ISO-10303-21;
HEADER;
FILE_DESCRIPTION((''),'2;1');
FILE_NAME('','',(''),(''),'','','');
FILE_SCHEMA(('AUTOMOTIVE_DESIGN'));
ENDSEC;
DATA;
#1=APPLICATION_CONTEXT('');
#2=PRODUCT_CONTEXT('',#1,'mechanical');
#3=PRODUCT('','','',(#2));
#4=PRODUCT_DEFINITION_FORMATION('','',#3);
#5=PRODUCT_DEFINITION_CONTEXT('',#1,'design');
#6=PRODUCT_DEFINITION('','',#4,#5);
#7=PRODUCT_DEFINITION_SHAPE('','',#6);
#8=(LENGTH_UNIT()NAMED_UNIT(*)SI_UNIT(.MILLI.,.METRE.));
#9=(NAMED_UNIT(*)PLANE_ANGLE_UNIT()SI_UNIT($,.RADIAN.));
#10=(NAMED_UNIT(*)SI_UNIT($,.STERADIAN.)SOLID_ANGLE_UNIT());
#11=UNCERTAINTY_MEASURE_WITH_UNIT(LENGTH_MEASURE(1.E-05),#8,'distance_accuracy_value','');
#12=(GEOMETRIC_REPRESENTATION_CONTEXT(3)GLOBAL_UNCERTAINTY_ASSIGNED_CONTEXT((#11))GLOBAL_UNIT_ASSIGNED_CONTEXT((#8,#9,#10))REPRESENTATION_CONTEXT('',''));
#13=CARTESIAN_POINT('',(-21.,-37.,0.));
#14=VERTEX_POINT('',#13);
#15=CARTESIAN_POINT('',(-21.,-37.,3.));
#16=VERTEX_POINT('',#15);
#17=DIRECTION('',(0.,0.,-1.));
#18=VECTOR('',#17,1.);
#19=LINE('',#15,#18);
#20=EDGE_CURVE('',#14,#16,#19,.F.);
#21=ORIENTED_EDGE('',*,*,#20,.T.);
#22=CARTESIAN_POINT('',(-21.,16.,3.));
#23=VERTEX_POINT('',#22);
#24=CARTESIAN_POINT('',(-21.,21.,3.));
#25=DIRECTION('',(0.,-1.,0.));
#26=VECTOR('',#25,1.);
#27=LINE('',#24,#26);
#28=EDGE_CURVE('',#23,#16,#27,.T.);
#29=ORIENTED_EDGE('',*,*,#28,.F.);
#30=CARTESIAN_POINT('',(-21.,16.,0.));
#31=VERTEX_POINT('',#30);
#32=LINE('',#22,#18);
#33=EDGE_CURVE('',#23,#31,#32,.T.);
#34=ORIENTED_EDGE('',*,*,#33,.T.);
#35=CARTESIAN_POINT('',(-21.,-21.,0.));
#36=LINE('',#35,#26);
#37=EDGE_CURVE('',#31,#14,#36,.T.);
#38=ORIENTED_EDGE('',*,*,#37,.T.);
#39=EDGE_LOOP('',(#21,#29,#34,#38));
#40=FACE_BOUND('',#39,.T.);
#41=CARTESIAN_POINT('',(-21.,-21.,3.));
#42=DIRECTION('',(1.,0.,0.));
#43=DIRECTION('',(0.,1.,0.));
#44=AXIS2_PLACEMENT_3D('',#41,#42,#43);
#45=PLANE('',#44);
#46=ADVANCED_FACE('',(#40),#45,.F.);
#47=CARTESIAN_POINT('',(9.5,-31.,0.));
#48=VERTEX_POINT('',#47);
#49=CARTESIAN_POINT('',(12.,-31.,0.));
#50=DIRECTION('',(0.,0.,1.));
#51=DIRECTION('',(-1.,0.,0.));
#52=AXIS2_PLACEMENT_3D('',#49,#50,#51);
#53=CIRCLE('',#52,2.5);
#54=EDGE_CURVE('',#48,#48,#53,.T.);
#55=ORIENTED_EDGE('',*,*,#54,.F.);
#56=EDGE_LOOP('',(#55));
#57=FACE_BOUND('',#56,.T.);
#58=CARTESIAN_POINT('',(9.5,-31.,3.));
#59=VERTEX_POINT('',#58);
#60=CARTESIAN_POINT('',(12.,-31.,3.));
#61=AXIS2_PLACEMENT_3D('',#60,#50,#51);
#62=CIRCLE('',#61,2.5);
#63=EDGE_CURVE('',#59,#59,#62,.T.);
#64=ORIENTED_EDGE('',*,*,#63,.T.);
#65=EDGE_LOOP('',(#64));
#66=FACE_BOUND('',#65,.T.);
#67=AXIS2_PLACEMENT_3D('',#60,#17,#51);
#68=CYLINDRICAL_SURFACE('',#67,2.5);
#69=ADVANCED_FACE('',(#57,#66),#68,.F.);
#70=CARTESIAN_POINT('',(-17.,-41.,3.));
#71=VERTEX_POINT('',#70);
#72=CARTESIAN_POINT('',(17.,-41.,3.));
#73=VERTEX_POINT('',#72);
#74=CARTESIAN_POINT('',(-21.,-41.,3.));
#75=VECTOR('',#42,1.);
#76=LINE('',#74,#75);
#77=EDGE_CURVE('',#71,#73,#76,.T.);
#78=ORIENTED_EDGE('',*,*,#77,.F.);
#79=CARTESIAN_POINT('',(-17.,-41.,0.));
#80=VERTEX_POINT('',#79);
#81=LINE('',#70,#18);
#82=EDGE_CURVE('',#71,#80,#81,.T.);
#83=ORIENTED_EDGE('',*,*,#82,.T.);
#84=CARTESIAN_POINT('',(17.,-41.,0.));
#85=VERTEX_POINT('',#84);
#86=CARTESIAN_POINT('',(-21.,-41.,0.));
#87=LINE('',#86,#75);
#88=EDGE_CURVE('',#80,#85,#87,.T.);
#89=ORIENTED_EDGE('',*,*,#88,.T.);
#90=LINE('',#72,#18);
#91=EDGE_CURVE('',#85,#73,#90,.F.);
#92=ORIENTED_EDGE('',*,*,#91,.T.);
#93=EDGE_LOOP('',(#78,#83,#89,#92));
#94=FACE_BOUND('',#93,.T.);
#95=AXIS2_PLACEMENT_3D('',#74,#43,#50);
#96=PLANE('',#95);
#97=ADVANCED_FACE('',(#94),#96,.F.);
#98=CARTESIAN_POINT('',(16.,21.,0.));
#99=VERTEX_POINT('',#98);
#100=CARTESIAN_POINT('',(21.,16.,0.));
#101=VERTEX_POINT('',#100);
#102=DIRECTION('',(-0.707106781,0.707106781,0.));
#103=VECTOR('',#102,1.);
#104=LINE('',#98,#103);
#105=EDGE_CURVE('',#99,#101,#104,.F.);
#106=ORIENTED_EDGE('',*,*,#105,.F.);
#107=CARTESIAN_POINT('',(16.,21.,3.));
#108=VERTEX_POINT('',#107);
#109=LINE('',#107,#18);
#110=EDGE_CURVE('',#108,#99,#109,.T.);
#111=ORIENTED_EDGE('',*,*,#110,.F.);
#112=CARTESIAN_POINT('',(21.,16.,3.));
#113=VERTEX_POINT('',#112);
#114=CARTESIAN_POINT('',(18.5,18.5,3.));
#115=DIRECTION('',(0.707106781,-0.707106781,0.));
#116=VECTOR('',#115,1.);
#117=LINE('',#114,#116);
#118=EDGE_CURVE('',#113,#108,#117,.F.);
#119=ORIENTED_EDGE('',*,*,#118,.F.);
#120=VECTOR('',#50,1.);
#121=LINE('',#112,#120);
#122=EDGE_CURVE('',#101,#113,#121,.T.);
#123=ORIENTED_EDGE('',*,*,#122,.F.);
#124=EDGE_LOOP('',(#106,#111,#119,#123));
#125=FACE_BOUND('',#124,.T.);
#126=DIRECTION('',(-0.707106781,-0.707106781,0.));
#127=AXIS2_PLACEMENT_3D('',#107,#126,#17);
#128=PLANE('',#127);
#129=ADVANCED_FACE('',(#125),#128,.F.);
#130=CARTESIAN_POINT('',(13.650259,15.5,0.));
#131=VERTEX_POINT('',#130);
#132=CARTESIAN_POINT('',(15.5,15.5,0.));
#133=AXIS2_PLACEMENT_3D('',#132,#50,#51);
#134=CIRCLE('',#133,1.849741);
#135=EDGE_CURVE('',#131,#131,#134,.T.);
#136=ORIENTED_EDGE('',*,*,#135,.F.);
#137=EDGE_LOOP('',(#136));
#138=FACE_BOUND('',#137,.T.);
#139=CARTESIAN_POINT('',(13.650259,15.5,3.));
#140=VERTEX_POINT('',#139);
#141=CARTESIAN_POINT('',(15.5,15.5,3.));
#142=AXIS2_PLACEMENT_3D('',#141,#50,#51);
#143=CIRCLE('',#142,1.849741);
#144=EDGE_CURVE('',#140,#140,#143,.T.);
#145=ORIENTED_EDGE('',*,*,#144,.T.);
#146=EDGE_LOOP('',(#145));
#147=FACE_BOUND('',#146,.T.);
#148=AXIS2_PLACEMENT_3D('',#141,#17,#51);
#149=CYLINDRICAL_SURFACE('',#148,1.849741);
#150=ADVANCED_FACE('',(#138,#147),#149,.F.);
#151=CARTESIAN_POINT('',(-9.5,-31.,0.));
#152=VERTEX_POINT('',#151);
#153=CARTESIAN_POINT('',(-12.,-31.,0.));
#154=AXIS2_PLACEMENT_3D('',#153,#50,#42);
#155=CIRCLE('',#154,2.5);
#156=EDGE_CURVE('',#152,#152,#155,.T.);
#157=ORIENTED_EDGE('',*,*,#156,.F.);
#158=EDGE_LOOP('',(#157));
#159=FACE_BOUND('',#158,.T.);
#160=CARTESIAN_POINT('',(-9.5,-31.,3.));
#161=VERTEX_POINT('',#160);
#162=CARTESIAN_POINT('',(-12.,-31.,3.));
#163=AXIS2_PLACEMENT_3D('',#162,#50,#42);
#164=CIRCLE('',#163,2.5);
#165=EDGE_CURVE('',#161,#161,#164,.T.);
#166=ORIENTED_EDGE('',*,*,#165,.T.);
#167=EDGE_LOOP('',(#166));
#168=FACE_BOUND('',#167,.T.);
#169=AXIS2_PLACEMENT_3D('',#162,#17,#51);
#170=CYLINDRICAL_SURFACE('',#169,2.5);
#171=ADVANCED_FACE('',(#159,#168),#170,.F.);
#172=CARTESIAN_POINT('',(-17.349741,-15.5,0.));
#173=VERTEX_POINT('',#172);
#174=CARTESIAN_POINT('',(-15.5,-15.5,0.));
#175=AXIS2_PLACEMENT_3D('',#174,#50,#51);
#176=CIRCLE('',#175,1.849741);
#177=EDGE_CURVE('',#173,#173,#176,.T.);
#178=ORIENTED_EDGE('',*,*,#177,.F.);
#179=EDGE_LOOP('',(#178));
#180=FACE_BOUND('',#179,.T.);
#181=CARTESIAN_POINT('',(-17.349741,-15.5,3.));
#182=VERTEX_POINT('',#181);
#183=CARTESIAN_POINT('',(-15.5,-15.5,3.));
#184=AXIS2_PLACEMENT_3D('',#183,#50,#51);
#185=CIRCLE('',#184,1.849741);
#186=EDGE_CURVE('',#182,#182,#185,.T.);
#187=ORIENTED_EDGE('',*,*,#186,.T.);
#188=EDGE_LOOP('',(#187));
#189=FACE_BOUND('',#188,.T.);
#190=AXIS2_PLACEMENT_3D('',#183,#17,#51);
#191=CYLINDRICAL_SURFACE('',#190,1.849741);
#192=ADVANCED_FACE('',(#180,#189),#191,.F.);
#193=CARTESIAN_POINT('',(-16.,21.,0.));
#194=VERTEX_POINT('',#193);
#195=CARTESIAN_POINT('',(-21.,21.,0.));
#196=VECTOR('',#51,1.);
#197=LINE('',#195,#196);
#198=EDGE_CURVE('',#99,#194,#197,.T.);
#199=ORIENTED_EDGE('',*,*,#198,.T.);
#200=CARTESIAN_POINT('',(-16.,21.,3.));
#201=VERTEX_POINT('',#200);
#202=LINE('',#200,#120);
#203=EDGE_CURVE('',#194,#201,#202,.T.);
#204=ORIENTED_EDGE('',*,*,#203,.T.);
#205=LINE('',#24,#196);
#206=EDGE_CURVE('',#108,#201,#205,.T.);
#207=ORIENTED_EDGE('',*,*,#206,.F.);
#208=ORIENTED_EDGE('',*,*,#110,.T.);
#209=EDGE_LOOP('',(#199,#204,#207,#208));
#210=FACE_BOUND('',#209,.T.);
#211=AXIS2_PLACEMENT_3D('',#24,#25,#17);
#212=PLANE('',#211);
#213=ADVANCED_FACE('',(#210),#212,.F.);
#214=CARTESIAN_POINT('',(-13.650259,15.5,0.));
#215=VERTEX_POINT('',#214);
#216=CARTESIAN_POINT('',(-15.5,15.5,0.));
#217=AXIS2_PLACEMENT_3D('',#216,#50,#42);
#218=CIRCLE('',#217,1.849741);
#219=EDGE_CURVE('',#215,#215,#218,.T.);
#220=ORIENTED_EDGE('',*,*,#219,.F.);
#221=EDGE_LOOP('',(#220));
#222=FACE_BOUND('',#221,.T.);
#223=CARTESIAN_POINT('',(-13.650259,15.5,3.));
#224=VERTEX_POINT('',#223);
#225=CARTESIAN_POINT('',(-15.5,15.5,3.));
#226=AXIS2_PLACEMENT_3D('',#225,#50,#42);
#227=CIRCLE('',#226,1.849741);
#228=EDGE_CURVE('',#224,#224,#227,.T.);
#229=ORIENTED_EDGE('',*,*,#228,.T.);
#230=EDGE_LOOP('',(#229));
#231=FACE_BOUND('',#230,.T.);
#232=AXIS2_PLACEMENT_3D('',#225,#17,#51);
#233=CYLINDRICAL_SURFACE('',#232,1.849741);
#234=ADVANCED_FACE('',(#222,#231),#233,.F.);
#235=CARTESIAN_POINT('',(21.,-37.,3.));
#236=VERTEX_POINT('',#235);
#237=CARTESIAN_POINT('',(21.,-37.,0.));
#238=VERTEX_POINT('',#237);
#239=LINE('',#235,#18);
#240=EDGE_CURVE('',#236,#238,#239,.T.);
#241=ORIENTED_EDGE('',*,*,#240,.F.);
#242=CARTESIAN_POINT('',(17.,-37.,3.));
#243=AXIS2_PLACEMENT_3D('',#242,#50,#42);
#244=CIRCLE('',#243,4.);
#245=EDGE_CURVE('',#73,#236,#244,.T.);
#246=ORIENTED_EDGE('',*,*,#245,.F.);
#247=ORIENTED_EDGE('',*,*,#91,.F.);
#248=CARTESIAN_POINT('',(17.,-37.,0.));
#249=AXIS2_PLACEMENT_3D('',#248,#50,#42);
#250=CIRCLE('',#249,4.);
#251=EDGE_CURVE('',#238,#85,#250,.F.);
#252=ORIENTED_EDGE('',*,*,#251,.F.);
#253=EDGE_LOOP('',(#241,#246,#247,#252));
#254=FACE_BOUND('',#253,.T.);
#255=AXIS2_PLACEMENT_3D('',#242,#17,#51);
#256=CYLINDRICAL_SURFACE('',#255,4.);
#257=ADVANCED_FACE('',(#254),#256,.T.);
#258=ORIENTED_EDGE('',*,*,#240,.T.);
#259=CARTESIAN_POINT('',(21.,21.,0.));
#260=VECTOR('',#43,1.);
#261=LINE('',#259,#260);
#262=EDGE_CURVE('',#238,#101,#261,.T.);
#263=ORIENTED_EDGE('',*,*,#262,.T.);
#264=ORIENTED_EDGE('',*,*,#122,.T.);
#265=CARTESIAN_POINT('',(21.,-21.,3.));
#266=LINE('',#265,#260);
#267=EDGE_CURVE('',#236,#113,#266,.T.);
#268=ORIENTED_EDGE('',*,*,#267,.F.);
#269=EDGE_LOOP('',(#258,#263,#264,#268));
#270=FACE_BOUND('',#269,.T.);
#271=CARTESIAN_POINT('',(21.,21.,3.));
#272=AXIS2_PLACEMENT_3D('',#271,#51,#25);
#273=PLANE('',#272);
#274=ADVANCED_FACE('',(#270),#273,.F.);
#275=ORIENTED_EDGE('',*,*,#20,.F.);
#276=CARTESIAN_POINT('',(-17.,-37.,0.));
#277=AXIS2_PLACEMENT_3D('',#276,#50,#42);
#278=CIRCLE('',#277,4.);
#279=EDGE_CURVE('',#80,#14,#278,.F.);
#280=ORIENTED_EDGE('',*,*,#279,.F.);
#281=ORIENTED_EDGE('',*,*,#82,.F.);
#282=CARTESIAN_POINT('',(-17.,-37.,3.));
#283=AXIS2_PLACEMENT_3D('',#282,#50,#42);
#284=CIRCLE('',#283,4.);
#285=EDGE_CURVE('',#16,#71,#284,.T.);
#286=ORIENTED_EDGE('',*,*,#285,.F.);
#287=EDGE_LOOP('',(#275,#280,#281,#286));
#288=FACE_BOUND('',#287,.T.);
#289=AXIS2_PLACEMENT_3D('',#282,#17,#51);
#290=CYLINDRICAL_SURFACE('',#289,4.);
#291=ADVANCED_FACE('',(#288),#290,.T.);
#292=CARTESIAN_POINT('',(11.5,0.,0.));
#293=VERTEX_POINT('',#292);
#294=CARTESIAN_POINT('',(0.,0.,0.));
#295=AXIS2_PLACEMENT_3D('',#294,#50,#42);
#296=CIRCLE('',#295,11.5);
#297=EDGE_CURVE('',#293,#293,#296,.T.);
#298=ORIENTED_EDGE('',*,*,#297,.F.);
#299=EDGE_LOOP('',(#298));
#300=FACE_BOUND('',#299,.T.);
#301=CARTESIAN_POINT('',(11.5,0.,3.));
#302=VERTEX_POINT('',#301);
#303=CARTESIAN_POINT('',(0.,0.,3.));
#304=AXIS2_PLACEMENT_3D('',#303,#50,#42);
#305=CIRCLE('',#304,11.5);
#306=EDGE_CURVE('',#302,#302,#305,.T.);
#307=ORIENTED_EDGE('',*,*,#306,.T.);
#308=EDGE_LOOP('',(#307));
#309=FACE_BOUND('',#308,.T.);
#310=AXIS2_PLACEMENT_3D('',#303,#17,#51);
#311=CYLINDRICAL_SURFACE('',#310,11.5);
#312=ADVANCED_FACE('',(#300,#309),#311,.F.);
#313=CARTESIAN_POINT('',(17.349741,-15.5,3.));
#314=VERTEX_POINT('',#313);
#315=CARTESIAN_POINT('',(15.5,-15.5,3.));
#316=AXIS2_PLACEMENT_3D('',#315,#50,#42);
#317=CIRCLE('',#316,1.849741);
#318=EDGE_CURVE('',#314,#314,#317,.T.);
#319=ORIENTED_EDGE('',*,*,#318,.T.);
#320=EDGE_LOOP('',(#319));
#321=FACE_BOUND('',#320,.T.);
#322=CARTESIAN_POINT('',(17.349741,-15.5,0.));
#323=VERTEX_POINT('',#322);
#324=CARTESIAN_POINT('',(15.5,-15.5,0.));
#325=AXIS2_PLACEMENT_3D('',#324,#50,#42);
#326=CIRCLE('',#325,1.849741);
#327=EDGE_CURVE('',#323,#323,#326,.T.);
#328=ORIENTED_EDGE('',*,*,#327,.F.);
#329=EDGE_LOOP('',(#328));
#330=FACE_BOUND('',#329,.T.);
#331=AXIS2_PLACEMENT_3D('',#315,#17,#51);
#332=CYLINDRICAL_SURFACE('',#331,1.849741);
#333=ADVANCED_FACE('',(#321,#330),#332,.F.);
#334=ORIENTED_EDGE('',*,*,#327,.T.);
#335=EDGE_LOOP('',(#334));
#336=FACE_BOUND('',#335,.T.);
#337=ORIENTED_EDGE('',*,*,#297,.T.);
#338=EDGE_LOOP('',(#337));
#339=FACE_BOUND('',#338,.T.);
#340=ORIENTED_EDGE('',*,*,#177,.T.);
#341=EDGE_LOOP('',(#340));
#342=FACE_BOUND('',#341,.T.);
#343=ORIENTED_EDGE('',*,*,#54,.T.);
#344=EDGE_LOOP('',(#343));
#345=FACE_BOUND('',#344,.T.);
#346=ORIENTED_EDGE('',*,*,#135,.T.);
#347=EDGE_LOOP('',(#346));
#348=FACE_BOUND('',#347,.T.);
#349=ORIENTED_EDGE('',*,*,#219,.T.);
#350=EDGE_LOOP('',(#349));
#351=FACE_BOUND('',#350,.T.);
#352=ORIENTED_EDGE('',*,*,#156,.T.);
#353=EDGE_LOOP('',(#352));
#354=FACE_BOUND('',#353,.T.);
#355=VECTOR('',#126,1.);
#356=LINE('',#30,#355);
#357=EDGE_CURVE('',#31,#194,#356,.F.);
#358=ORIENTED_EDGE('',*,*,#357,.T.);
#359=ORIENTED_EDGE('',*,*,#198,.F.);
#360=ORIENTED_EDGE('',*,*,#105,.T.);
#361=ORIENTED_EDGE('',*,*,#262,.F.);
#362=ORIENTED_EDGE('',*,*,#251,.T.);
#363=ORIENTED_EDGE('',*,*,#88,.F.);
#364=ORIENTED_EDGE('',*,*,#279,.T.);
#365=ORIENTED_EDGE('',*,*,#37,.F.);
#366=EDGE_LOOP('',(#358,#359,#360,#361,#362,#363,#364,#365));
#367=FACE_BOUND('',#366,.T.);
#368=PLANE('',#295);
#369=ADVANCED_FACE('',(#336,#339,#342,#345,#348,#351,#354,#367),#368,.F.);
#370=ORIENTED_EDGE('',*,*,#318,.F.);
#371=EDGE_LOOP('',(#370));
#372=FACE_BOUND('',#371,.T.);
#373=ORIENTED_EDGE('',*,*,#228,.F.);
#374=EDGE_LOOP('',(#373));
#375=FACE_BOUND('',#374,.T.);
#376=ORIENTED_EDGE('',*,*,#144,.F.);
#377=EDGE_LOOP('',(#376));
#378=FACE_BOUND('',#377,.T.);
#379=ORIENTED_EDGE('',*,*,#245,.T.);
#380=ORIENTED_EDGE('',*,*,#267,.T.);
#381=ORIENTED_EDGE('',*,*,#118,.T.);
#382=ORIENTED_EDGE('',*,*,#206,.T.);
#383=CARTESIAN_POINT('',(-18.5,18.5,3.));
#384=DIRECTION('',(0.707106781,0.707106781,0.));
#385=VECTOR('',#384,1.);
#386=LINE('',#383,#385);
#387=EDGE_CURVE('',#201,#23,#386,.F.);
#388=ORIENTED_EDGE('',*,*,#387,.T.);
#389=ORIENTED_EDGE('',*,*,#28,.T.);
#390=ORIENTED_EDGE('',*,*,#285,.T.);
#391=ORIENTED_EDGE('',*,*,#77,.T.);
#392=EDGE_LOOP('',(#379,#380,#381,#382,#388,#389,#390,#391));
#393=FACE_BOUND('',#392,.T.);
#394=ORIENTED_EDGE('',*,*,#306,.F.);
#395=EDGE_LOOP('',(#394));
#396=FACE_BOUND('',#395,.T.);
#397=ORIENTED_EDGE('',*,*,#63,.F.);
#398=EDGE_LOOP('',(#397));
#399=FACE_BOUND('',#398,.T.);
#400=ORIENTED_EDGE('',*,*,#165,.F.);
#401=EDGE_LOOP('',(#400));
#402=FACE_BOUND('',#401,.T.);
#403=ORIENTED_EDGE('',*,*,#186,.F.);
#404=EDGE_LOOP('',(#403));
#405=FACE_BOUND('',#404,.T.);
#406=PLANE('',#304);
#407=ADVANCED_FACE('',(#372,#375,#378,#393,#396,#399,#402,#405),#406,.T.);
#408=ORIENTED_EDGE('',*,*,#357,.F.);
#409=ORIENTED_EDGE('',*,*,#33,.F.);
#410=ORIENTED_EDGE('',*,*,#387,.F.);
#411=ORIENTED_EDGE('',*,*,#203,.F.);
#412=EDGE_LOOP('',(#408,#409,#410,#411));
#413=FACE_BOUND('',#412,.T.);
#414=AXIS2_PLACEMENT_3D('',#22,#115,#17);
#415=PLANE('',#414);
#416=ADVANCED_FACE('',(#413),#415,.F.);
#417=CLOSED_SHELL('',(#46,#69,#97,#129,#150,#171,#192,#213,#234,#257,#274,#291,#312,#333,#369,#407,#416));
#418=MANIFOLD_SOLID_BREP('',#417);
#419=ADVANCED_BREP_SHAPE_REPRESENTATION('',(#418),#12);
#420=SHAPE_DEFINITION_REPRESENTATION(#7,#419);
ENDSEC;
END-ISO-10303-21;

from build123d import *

# Parameters (mm, degrees)
SKETCH_1_R      = 1.849740933
SKETCH_1_R_2    = 2.5
SKETCH_1_R_3    = 11.5
EXTRUDE_1_DEPTH = 3
FILLET_1_R      = 4
CHAMFER_1_SIZE  = 5


with BuildPart() as part:
    # 草圖1 → 填料-伸長1 (new body)
    with BuildSketch(Plane.XY):
        Polygon((-21, 21), (21, 21), (21, -21), (21, -41), (-21, -41), (-21, -21), align=None)
        with Locations((-15.5, 15.5)):
            Circle(SKETCH_1_R, mode=Mode.SUBTRACT)
        with Locations(Location((15.5, 15.5, 0), (0, 0, 180))):
            Circle(SKETCH_1_R, mode=Mode.SUBTRACT)
        with Locations((15.5, -15.5)):
            Circle(SKETCH_1_R, mode=Mode.SUBTRACT)
        with Locations(Location((-15.5, -15.5, 0), (0, 0, 180))):
            Circle(SKETCH_1_R, mode=Mode.SUBTRACT)
        with Locations((-12, -31)):
            Circle(SKETCH_1_R_2, mode=Mode.SUBTRACT)
        with Locations(Location((12, -31, 0), (0, 0, 180))):
            Circle(SKETCH_1_R_2, mode=Mode.SUBTRACT)
        Circle(SKETCH_1_R_3, mode=Mode.SUBTRACT)
    extrude(amount=EXTRUDE_1_DEPTH)

    # 圓角1
    fillet_1_edges = [part.edges().sort_by_distance(p)[0] for p in [
        (21, -41, 1.5),
        (-21, -41, 1.5),
    ]]
    fillet(fillet_1_edges, radius=FILLET_1_R)

    # 導角1
    chamfer_1_edges = [part.edges().sort_by_distance(p)[0] for p in [
        (-21, 21, 1.5),
        (21, 21, 1.5),
    ]]
    chamfer(chamfer_1_edges, length=CHAMFER_1_SIZE)


solid = part.part
